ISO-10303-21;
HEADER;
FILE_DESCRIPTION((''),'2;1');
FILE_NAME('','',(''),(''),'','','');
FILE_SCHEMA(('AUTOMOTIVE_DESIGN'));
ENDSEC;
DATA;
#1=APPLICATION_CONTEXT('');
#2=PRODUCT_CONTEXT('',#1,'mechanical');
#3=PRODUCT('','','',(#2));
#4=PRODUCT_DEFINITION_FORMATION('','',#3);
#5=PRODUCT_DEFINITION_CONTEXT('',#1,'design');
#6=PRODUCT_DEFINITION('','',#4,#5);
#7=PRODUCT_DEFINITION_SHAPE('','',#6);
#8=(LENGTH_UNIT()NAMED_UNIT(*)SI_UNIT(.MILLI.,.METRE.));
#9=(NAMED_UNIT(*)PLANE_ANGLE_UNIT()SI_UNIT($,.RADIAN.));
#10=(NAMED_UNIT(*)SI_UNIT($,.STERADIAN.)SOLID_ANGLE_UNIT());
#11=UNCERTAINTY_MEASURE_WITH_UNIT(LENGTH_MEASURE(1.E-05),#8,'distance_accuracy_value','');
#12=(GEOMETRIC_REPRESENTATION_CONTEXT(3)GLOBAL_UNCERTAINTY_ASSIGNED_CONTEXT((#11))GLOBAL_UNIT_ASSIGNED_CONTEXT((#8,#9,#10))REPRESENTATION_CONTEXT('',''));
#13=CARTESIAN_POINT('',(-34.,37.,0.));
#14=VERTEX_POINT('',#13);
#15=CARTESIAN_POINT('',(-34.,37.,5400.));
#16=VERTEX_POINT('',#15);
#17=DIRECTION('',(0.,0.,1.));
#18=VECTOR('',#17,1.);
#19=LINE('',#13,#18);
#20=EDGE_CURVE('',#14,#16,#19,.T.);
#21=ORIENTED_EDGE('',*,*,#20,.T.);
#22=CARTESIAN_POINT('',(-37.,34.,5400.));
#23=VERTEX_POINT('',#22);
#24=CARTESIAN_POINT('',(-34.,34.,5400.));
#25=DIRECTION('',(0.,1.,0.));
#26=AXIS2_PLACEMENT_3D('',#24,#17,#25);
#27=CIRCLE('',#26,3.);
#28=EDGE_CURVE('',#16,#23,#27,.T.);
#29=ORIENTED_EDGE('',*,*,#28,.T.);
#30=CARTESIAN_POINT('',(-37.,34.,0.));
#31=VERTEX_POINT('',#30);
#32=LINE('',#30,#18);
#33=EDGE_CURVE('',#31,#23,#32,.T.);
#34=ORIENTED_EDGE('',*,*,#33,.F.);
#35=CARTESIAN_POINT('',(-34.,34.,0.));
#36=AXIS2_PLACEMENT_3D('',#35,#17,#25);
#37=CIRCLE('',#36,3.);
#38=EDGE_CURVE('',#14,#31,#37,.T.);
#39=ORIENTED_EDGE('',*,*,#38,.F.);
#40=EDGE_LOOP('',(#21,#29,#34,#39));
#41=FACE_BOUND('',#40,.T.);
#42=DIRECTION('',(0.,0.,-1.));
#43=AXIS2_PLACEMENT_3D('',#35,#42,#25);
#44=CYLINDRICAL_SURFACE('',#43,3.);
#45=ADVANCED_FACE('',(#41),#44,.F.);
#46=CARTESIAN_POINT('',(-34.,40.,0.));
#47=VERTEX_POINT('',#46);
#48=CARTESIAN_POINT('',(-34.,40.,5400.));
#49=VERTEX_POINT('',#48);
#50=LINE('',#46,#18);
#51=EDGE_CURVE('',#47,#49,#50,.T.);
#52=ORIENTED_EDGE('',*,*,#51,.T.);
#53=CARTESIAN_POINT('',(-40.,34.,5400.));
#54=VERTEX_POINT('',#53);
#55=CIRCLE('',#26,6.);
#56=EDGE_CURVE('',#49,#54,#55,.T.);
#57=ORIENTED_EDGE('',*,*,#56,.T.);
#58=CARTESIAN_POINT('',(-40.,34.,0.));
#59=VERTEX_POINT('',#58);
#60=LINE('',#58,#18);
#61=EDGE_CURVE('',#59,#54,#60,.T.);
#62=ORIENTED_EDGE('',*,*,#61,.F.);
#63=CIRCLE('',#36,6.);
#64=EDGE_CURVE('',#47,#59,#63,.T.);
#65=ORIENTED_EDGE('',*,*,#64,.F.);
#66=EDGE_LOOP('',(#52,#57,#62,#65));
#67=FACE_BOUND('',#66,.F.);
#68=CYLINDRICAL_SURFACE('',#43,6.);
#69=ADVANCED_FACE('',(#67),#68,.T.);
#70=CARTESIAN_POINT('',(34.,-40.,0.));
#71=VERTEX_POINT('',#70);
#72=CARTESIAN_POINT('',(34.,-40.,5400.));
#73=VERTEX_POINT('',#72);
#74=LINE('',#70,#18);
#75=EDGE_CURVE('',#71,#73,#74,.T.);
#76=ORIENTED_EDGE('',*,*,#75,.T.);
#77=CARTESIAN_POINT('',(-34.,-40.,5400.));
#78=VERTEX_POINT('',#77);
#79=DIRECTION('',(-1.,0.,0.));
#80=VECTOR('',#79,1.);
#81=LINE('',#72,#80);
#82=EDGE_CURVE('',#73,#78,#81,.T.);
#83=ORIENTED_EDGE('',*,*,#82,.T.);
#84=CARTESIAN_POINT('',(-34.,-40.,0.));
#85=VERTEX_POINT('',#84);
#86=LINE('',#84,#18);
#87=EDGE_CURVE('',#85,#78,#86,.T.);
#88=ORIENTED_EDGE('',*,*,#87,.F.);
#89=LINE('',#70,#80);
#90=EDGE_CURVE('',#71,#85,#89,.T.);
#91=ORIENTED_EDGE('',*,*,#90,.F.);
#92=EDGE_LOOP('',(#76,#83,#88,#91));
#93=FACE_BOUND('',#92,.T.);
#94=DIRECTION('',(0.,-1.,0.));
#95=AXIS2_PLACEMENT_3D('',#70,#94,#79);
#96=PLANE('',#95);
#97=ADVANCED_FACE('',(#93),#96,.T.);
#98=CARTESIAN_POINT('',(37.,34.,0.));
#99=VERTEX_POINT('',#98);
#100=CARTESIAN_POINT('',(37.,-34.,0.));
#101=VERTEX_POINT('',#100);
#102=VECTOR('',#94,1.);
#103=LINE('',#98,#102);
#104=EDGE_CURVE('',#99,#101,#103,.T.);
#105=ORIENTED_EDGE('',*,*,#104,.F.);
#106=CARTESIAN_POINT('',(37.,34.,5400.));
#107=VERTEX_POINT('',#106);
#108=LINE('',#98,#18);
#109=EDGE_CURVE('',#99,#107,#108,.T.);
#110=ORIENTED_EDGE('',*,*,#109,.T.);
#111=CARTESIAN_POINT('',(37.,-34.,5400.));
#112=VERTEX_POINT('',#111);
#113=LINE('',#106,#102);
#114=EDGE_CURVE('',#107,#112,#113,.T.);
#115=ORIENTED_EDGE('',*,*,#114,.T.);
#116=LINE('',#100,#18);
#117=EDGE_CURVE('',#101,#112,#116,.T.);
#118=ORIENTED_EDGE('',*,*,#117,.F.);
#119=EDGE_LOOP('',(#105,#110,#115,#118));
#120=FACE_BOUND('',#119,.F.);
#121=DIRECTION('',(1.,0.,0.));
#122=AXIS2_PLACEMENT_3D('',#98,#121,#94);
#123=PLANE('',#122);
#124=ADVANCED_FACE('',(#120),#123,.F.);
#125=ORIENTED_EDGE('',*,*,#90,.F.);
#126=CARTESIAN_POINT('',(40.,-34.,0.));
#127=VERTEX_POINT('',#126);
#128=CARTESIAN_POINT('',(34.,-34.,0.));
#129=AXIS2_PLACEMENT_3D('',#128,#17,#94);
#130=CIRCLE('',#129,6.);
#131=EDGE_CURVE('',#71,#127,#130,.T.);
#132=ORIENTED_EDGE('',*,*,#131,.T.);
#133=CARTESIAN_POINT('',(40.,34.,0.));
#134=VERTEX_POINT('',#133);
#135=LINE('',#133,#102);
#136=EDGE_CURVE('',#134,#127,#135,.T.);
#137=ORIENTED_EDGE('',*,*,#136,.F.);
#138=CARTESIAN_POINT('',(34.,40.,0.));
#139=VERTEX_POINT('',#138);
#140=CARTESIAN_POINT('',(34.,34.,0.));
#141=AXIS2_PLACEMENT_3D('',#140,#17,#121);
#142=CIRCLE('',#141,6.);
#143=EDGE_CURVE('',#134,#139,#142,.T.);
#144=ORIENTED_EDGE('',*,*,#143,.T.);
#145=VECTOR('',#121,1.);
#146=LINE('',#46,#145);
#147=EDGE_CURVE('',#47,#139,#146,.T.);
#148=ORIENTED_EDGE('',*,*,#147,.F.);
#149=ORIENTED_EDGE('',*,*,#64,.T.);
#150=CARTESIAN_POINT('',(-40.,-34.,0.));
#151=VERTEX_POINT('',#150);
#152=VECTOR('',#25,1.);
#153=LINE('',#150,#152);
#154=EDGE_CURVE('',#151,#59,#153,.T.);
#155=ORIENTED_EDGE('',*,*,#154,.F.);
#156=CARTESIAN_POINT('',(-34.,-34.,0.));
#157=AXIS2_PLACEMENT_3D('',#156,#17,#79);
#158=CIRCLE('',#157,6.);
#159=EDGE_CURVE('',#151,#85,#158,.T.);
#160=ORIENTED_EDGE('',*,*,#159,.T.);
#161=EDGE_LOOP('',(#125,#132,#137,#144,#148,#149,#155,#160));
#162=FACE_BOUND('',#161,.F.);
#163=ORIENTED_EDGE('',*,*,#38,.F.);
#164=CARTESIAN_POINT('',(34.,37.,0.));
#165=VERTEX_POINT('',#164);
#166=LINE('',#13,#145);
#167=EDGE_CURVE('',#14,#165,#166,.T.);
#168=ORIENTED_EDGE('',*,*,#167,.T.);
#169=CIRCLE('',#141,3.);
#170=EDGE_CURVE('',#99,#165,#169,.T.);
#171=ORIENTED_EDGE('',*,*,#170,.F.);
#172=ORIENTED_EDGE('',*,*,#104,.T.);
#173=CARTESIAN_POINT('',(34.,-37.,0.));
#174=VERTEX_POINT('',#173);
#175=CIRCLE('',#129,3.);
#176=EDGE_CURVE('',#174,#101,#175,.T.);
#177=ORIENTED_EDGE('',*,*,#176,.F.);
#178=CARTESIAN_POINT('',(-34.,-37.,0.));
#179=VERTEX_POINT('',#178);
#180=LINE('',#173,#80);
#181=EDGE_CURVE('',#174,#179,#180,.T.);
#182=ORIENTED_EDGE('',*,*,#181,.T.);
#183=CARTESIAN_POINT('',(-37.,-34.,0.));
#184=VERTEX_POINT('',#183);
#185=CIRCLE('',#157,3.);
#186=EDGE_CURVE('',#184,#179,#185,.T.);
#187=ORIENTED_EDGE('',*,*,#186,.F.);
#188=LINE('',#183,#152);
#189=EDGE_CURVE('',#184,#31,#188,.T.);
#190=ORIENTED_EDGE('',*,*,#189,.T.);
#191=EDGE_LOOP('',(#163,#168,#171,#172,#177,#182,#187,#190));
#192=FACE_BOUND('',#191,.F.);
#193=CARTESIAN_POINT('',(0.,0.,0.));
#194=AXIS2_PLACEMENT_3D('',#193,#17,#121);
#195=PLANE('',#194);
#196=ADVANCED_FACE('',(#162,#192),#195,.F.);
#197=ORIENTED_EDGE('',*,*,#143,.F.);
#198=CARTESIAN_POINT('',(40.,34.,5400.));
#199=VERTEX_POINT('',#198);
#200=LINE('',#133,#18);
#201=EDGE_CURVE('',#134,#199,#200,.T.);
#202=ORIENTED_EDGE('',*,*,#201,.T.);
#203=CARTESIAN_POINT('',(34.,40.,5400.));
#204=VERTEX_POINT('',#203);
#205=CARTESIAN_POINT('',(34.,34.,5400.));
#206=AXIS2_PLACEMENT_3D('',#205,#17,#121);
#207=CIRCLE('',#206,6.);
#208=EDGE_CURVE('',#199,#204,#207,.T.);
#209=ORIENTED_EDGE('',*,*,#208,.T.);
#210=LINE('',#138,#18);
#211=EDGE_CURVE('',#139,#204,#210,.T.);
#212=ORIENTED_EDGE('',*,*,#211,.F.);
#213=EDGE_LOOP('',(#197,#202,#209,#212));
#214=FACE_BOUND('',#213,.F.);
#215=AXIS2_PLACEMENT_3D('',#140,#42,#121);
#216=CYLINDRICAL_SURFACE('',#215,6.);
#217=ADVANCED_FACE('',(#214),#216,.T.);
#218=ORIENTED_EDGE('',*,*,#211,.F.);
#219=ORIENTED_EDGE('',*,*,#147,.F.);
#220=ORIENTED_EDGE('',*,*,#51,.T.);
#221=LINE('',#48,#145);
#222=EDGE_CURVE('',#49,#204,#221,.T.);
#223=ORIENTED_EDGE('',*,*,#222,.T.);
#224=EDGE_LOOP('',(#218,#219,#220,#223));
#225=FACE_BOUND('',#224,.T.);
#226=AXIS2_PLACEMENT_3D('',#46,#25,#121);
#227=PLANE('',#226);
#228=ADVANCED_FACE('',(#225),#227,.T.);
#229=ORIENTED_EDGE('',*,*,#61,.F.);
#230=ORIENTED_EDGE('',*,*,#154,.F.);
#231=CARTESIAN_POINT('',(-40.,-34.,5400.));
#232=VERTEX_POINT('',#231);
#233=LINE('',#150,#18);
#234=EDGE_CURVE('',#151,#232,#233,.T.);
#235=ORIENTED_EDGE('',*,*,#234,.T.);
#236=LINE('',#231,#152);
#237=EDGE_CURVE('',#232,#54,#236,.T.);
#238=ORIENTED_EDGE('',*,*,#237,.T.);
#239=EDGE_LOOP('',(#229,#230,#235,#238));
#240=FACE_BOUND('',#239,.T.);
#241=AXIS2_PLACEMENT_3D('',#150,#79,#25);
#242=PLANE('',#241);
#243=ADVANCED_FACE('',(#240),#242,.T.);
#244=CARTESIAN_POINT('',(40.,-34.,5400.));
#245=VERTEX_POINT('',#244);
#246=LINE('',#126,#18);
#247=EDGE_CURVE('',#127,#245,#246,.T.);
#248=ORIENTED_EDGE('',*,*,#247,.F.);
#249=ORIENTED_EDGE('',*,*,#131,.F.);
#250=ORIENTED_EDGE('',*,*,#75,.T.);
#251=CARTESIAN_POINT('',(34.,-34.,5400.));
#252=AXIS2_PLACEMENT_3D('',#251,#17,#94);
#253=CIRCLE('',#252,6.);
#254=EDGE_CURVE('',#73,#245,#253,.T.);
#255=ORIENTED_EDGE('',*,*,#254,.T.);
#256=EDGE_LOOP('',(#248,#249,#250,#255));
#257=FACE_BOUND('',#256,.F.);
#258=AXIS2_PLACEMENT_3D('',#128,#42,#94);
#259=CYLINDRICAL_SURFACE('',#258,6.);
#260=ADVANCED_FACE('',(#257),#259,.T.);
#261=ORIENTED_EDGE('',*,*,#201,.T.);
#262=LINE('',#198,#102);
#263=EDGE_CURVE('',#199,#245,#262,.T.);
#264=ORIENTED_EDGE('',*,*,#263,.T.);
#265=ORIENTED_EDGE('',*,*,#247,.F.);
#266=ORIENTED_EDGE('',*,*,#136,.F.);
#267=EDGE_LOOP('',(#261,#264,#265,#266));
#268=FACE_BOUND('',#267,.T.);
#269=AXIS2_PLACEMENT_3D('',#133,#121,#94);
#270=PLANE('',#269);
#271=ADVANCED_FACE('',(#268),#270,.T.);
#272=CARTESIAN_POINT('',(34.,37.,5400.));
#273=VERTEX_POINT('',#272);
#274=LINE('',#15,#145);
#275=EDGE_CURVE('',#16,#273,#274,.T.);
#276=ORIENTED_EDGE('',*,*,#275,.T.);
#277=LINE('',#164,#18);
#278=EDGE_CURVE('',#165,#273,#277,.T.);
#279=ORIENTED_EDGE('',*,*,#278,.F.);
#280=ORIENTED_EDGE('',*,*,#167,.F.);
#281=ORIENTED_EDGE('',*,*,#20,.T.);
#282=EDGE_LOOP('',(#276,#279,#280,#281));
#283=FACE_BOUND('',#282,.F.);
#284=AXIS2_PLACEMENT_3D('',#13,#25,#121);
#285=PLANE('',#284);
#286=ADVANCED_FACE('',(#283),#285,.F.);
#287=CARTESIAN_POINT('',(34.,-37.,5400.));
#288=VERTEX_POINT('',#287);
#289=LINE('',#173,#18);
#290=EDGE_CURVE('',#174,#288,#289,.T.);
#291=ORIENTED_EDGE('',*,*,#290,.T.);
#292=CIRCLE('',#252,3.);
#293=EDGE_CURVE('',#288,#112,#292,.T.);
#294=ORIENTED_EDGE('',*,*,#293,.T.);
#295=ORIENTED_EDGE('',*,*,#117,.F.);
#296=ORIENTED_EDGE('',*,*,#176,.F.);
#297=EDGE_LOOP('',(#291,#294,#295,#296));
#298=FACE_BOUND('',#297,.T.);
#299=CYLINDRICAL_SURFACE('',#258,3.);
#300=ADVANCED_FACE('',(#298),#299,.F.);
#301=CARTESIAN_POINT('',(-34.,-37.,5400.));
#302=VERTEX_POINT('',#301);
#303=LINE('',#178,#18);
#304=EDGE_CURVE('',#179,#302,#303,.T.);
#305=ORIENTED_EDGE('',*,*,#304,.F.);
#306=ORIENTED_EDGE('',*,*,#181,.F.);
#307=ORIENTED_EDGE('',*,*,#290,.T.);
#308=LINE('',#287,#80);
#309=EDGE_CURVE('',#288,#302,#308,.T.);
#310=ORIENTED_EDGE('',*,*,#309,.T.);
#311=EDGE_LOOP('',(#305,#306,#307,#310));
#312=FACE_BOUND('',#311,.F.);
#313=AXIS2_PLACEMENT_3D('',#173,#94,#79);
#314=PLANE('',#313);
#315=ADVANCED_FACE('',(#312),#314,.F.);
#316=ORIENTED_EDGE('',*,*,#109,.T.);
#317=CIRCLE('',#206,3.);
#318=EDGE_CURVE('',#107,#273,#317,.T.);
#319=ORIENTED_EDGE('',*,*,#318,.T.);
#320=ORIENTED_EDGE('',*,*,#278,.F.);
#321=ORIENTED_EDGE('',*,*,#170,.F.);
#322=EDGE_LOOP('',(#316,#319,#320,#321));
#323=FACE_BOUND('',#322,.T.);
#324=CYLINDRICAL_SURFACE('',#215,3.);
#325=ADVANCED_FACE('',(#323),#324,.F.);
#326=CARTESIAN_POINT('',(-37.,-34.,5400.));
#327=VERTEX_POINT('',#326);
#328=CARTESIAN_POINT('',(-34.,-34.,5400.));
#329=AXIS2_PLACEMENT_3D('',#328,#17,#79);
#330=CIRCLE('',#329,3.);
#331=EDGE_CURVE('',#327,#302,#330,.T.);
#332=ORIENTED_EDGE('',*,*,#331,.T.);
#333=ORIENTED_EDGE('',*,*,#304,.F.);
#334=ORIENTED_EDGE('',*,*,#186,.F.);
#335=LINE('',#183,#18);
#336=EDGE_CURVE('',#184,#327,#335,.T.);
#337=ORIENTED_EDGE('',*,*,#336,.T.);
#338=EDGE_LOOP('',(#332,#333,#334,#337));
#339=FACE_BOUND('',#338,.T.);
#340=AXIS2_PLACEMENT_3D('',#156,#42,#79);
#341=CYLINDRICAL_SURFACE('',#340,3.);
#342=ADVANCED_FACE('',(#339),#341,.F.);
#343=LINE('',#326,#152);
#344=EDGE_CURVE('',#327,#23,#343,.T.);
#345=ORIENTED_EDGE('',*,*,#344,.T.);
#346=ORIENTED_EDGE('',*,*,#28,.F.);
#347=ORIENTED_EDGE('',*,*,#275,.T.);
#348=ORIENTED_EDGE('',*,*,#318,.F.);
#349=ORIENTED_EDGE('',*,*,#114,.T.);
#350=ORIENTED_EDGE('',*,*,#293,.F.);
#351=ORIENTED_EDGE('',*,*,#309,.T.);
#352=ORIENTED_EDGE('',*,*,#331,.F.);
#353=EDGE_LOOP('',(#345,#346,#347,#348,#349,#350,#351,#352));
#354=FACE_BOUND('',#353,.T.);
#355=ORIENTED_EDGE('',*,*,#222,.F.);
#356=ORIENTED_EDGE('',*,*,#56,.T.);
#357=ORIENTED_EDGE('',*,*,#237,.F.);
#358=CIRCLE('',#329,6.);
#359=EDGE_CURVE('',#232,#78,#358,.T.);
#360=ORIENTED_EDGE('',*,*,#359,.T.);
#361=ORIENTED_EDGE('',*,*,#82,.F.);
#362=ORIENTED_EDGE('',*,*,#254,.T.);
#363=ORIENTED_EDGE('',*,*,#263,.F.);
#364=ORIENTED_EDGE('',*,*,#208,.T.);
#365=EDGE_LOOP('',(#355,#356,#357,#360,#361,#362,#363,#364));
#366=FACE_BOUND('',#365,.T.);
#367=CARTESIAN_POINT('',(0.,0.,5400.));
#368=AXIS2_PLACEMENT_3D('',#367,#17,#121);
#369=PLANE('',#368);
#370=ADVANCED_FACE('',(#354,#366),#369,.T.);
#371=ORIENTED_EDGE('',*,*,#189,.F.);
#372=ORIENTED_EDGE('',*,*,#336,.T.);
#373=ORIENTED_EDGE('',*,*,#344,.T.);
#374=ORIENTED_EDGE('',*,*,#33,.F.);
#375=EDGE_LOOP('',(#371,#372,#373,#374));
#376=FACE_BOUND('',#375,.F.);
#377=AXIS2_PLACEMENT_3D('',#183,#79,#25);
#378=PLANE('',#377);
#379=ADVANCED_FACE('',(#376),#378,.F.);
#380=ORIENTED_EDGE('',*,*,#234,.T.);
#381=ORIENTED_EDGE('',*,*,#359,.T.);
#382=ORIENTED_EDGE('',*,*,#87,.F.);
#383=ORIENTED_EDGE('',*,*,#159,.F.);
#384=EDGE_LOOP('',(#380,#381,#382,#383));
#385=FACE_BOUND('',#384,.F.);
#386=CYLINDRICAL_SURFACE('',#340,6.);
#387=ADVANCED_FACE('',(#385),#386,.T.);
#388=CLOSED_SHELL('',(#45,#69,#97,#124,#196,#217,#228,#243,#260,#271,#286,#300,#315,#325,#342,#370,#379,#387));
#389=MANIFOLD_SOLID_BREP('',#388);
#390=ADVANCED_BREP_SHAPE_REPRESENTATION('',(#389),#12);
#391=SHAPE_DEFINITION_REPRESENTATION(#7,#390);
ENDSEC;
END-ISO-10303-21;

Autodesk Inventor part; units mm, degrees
ref_plane "YZ Plane" through (0, 0, 0) normal (1, 0, 0) x (0, 1, 0)
ref_plane "Start plane" through (0, 0, 0) normal (0, 0, 1) x (1, 0, 0)
ref_plane "End plane" through (0, 0, 5400) normal (0, 0, 1) x (1, 0, 0)
sketch "Sketch" plane through (0, 0, 0) normal (0, 0, 1) x (1, 0, 0)
  line L0 (-40, -34) -> (-40, 34)
  line L1 (-34, 40) -> (34, 40)
  line L2 (40, 34) -> (40, -34)
  line L3 (34, -40) -> (-34, -40)
  arc A0 (-40, -34) -> (-34, -40) centre (-34, -34) ccw
  arc A1 (40, 34) -> (34, 40) centre (34, 34) ccw
  arc A2 (-34, 40) -> (-40, 34) centre (-34, 34) ccw
  arc A3 (34, -40) -> (40, -34) centre (34, -34) ccw
  arc A4 (-34, 37) -> (-37, 34) centre (-34, 34) ccw
  line L4 (-34, 37) -> (34, 37)
  arc A5 (37, 34) -> (34, 37) centre (34, 34) ccw
  line L5 (37, 34) -> (37, -34)
  arc A6 (34, -37) -> (37, -34) centre (34, -34) ccw
  line L6 (34, -37) -> (-34, -37)
  arc A7 (-37, -34) -> (-34, -37) centre (-34, -34) ccw
  line L7 (-37, -34) -> (-37, 34)
  line L8 (0, 71.7397) -> (0, -71.7397) construction
  line L9 (-71.7397, 0) -> (71.7397, 0) construction
  dimension "d7" = 6
  dimension "d9" = 80
  dimension "d11" = 80
  dimension "d12" = 3
  dimension "d15" = 40
  dimension "d16" = 40
extrude "Body" add sketch "Sketch" along normal up to surface (5400 mm away) from surface at 0
sketch "Sketch3" plane through (0, 0, 0) normal (0, 0, 1) x (1, 0, 0)
  line L0 (0, 0) -> (10, 0)
ref_plane "Work Plane3" through (0, 0, 0) normal (0, -1, 0) x (1, 0, 0)
sketch "Sketch4" plane through (0, 0, 0) normal (0, -1, 0) x (1, 0, 0)
  line L0 (-2, 0) -> (12, 0) projected
  line L1 (-2, 5400) -> (12, 5400) projected
  dimension "d18" = 5400
equation "\"d7\" = G_IR"
equation "\"d9\" = G_W"
equation "\"d11\" = G_H"
equation "\"d12\" = G_T"
equation "\"d15\" = 0.5 * d9"
equation "\"d16\" = 0.5 * d11"
equation "\"d3\" = G_L"
equation "\"G_W\" = 80"
equation "\"G_H\" = 80"
equation "\"G_T\" = 3"
equation "\"G_IR\" = 6"
equation "\"G_L\" = d18"
equation "\"G_OFFSET_START\" = 0"
equation "\"G_OFFSET_END\" = 0"
properties part number "ISO 10799-2 - 80x80x3 - 5400" material "Steel, Mild"
